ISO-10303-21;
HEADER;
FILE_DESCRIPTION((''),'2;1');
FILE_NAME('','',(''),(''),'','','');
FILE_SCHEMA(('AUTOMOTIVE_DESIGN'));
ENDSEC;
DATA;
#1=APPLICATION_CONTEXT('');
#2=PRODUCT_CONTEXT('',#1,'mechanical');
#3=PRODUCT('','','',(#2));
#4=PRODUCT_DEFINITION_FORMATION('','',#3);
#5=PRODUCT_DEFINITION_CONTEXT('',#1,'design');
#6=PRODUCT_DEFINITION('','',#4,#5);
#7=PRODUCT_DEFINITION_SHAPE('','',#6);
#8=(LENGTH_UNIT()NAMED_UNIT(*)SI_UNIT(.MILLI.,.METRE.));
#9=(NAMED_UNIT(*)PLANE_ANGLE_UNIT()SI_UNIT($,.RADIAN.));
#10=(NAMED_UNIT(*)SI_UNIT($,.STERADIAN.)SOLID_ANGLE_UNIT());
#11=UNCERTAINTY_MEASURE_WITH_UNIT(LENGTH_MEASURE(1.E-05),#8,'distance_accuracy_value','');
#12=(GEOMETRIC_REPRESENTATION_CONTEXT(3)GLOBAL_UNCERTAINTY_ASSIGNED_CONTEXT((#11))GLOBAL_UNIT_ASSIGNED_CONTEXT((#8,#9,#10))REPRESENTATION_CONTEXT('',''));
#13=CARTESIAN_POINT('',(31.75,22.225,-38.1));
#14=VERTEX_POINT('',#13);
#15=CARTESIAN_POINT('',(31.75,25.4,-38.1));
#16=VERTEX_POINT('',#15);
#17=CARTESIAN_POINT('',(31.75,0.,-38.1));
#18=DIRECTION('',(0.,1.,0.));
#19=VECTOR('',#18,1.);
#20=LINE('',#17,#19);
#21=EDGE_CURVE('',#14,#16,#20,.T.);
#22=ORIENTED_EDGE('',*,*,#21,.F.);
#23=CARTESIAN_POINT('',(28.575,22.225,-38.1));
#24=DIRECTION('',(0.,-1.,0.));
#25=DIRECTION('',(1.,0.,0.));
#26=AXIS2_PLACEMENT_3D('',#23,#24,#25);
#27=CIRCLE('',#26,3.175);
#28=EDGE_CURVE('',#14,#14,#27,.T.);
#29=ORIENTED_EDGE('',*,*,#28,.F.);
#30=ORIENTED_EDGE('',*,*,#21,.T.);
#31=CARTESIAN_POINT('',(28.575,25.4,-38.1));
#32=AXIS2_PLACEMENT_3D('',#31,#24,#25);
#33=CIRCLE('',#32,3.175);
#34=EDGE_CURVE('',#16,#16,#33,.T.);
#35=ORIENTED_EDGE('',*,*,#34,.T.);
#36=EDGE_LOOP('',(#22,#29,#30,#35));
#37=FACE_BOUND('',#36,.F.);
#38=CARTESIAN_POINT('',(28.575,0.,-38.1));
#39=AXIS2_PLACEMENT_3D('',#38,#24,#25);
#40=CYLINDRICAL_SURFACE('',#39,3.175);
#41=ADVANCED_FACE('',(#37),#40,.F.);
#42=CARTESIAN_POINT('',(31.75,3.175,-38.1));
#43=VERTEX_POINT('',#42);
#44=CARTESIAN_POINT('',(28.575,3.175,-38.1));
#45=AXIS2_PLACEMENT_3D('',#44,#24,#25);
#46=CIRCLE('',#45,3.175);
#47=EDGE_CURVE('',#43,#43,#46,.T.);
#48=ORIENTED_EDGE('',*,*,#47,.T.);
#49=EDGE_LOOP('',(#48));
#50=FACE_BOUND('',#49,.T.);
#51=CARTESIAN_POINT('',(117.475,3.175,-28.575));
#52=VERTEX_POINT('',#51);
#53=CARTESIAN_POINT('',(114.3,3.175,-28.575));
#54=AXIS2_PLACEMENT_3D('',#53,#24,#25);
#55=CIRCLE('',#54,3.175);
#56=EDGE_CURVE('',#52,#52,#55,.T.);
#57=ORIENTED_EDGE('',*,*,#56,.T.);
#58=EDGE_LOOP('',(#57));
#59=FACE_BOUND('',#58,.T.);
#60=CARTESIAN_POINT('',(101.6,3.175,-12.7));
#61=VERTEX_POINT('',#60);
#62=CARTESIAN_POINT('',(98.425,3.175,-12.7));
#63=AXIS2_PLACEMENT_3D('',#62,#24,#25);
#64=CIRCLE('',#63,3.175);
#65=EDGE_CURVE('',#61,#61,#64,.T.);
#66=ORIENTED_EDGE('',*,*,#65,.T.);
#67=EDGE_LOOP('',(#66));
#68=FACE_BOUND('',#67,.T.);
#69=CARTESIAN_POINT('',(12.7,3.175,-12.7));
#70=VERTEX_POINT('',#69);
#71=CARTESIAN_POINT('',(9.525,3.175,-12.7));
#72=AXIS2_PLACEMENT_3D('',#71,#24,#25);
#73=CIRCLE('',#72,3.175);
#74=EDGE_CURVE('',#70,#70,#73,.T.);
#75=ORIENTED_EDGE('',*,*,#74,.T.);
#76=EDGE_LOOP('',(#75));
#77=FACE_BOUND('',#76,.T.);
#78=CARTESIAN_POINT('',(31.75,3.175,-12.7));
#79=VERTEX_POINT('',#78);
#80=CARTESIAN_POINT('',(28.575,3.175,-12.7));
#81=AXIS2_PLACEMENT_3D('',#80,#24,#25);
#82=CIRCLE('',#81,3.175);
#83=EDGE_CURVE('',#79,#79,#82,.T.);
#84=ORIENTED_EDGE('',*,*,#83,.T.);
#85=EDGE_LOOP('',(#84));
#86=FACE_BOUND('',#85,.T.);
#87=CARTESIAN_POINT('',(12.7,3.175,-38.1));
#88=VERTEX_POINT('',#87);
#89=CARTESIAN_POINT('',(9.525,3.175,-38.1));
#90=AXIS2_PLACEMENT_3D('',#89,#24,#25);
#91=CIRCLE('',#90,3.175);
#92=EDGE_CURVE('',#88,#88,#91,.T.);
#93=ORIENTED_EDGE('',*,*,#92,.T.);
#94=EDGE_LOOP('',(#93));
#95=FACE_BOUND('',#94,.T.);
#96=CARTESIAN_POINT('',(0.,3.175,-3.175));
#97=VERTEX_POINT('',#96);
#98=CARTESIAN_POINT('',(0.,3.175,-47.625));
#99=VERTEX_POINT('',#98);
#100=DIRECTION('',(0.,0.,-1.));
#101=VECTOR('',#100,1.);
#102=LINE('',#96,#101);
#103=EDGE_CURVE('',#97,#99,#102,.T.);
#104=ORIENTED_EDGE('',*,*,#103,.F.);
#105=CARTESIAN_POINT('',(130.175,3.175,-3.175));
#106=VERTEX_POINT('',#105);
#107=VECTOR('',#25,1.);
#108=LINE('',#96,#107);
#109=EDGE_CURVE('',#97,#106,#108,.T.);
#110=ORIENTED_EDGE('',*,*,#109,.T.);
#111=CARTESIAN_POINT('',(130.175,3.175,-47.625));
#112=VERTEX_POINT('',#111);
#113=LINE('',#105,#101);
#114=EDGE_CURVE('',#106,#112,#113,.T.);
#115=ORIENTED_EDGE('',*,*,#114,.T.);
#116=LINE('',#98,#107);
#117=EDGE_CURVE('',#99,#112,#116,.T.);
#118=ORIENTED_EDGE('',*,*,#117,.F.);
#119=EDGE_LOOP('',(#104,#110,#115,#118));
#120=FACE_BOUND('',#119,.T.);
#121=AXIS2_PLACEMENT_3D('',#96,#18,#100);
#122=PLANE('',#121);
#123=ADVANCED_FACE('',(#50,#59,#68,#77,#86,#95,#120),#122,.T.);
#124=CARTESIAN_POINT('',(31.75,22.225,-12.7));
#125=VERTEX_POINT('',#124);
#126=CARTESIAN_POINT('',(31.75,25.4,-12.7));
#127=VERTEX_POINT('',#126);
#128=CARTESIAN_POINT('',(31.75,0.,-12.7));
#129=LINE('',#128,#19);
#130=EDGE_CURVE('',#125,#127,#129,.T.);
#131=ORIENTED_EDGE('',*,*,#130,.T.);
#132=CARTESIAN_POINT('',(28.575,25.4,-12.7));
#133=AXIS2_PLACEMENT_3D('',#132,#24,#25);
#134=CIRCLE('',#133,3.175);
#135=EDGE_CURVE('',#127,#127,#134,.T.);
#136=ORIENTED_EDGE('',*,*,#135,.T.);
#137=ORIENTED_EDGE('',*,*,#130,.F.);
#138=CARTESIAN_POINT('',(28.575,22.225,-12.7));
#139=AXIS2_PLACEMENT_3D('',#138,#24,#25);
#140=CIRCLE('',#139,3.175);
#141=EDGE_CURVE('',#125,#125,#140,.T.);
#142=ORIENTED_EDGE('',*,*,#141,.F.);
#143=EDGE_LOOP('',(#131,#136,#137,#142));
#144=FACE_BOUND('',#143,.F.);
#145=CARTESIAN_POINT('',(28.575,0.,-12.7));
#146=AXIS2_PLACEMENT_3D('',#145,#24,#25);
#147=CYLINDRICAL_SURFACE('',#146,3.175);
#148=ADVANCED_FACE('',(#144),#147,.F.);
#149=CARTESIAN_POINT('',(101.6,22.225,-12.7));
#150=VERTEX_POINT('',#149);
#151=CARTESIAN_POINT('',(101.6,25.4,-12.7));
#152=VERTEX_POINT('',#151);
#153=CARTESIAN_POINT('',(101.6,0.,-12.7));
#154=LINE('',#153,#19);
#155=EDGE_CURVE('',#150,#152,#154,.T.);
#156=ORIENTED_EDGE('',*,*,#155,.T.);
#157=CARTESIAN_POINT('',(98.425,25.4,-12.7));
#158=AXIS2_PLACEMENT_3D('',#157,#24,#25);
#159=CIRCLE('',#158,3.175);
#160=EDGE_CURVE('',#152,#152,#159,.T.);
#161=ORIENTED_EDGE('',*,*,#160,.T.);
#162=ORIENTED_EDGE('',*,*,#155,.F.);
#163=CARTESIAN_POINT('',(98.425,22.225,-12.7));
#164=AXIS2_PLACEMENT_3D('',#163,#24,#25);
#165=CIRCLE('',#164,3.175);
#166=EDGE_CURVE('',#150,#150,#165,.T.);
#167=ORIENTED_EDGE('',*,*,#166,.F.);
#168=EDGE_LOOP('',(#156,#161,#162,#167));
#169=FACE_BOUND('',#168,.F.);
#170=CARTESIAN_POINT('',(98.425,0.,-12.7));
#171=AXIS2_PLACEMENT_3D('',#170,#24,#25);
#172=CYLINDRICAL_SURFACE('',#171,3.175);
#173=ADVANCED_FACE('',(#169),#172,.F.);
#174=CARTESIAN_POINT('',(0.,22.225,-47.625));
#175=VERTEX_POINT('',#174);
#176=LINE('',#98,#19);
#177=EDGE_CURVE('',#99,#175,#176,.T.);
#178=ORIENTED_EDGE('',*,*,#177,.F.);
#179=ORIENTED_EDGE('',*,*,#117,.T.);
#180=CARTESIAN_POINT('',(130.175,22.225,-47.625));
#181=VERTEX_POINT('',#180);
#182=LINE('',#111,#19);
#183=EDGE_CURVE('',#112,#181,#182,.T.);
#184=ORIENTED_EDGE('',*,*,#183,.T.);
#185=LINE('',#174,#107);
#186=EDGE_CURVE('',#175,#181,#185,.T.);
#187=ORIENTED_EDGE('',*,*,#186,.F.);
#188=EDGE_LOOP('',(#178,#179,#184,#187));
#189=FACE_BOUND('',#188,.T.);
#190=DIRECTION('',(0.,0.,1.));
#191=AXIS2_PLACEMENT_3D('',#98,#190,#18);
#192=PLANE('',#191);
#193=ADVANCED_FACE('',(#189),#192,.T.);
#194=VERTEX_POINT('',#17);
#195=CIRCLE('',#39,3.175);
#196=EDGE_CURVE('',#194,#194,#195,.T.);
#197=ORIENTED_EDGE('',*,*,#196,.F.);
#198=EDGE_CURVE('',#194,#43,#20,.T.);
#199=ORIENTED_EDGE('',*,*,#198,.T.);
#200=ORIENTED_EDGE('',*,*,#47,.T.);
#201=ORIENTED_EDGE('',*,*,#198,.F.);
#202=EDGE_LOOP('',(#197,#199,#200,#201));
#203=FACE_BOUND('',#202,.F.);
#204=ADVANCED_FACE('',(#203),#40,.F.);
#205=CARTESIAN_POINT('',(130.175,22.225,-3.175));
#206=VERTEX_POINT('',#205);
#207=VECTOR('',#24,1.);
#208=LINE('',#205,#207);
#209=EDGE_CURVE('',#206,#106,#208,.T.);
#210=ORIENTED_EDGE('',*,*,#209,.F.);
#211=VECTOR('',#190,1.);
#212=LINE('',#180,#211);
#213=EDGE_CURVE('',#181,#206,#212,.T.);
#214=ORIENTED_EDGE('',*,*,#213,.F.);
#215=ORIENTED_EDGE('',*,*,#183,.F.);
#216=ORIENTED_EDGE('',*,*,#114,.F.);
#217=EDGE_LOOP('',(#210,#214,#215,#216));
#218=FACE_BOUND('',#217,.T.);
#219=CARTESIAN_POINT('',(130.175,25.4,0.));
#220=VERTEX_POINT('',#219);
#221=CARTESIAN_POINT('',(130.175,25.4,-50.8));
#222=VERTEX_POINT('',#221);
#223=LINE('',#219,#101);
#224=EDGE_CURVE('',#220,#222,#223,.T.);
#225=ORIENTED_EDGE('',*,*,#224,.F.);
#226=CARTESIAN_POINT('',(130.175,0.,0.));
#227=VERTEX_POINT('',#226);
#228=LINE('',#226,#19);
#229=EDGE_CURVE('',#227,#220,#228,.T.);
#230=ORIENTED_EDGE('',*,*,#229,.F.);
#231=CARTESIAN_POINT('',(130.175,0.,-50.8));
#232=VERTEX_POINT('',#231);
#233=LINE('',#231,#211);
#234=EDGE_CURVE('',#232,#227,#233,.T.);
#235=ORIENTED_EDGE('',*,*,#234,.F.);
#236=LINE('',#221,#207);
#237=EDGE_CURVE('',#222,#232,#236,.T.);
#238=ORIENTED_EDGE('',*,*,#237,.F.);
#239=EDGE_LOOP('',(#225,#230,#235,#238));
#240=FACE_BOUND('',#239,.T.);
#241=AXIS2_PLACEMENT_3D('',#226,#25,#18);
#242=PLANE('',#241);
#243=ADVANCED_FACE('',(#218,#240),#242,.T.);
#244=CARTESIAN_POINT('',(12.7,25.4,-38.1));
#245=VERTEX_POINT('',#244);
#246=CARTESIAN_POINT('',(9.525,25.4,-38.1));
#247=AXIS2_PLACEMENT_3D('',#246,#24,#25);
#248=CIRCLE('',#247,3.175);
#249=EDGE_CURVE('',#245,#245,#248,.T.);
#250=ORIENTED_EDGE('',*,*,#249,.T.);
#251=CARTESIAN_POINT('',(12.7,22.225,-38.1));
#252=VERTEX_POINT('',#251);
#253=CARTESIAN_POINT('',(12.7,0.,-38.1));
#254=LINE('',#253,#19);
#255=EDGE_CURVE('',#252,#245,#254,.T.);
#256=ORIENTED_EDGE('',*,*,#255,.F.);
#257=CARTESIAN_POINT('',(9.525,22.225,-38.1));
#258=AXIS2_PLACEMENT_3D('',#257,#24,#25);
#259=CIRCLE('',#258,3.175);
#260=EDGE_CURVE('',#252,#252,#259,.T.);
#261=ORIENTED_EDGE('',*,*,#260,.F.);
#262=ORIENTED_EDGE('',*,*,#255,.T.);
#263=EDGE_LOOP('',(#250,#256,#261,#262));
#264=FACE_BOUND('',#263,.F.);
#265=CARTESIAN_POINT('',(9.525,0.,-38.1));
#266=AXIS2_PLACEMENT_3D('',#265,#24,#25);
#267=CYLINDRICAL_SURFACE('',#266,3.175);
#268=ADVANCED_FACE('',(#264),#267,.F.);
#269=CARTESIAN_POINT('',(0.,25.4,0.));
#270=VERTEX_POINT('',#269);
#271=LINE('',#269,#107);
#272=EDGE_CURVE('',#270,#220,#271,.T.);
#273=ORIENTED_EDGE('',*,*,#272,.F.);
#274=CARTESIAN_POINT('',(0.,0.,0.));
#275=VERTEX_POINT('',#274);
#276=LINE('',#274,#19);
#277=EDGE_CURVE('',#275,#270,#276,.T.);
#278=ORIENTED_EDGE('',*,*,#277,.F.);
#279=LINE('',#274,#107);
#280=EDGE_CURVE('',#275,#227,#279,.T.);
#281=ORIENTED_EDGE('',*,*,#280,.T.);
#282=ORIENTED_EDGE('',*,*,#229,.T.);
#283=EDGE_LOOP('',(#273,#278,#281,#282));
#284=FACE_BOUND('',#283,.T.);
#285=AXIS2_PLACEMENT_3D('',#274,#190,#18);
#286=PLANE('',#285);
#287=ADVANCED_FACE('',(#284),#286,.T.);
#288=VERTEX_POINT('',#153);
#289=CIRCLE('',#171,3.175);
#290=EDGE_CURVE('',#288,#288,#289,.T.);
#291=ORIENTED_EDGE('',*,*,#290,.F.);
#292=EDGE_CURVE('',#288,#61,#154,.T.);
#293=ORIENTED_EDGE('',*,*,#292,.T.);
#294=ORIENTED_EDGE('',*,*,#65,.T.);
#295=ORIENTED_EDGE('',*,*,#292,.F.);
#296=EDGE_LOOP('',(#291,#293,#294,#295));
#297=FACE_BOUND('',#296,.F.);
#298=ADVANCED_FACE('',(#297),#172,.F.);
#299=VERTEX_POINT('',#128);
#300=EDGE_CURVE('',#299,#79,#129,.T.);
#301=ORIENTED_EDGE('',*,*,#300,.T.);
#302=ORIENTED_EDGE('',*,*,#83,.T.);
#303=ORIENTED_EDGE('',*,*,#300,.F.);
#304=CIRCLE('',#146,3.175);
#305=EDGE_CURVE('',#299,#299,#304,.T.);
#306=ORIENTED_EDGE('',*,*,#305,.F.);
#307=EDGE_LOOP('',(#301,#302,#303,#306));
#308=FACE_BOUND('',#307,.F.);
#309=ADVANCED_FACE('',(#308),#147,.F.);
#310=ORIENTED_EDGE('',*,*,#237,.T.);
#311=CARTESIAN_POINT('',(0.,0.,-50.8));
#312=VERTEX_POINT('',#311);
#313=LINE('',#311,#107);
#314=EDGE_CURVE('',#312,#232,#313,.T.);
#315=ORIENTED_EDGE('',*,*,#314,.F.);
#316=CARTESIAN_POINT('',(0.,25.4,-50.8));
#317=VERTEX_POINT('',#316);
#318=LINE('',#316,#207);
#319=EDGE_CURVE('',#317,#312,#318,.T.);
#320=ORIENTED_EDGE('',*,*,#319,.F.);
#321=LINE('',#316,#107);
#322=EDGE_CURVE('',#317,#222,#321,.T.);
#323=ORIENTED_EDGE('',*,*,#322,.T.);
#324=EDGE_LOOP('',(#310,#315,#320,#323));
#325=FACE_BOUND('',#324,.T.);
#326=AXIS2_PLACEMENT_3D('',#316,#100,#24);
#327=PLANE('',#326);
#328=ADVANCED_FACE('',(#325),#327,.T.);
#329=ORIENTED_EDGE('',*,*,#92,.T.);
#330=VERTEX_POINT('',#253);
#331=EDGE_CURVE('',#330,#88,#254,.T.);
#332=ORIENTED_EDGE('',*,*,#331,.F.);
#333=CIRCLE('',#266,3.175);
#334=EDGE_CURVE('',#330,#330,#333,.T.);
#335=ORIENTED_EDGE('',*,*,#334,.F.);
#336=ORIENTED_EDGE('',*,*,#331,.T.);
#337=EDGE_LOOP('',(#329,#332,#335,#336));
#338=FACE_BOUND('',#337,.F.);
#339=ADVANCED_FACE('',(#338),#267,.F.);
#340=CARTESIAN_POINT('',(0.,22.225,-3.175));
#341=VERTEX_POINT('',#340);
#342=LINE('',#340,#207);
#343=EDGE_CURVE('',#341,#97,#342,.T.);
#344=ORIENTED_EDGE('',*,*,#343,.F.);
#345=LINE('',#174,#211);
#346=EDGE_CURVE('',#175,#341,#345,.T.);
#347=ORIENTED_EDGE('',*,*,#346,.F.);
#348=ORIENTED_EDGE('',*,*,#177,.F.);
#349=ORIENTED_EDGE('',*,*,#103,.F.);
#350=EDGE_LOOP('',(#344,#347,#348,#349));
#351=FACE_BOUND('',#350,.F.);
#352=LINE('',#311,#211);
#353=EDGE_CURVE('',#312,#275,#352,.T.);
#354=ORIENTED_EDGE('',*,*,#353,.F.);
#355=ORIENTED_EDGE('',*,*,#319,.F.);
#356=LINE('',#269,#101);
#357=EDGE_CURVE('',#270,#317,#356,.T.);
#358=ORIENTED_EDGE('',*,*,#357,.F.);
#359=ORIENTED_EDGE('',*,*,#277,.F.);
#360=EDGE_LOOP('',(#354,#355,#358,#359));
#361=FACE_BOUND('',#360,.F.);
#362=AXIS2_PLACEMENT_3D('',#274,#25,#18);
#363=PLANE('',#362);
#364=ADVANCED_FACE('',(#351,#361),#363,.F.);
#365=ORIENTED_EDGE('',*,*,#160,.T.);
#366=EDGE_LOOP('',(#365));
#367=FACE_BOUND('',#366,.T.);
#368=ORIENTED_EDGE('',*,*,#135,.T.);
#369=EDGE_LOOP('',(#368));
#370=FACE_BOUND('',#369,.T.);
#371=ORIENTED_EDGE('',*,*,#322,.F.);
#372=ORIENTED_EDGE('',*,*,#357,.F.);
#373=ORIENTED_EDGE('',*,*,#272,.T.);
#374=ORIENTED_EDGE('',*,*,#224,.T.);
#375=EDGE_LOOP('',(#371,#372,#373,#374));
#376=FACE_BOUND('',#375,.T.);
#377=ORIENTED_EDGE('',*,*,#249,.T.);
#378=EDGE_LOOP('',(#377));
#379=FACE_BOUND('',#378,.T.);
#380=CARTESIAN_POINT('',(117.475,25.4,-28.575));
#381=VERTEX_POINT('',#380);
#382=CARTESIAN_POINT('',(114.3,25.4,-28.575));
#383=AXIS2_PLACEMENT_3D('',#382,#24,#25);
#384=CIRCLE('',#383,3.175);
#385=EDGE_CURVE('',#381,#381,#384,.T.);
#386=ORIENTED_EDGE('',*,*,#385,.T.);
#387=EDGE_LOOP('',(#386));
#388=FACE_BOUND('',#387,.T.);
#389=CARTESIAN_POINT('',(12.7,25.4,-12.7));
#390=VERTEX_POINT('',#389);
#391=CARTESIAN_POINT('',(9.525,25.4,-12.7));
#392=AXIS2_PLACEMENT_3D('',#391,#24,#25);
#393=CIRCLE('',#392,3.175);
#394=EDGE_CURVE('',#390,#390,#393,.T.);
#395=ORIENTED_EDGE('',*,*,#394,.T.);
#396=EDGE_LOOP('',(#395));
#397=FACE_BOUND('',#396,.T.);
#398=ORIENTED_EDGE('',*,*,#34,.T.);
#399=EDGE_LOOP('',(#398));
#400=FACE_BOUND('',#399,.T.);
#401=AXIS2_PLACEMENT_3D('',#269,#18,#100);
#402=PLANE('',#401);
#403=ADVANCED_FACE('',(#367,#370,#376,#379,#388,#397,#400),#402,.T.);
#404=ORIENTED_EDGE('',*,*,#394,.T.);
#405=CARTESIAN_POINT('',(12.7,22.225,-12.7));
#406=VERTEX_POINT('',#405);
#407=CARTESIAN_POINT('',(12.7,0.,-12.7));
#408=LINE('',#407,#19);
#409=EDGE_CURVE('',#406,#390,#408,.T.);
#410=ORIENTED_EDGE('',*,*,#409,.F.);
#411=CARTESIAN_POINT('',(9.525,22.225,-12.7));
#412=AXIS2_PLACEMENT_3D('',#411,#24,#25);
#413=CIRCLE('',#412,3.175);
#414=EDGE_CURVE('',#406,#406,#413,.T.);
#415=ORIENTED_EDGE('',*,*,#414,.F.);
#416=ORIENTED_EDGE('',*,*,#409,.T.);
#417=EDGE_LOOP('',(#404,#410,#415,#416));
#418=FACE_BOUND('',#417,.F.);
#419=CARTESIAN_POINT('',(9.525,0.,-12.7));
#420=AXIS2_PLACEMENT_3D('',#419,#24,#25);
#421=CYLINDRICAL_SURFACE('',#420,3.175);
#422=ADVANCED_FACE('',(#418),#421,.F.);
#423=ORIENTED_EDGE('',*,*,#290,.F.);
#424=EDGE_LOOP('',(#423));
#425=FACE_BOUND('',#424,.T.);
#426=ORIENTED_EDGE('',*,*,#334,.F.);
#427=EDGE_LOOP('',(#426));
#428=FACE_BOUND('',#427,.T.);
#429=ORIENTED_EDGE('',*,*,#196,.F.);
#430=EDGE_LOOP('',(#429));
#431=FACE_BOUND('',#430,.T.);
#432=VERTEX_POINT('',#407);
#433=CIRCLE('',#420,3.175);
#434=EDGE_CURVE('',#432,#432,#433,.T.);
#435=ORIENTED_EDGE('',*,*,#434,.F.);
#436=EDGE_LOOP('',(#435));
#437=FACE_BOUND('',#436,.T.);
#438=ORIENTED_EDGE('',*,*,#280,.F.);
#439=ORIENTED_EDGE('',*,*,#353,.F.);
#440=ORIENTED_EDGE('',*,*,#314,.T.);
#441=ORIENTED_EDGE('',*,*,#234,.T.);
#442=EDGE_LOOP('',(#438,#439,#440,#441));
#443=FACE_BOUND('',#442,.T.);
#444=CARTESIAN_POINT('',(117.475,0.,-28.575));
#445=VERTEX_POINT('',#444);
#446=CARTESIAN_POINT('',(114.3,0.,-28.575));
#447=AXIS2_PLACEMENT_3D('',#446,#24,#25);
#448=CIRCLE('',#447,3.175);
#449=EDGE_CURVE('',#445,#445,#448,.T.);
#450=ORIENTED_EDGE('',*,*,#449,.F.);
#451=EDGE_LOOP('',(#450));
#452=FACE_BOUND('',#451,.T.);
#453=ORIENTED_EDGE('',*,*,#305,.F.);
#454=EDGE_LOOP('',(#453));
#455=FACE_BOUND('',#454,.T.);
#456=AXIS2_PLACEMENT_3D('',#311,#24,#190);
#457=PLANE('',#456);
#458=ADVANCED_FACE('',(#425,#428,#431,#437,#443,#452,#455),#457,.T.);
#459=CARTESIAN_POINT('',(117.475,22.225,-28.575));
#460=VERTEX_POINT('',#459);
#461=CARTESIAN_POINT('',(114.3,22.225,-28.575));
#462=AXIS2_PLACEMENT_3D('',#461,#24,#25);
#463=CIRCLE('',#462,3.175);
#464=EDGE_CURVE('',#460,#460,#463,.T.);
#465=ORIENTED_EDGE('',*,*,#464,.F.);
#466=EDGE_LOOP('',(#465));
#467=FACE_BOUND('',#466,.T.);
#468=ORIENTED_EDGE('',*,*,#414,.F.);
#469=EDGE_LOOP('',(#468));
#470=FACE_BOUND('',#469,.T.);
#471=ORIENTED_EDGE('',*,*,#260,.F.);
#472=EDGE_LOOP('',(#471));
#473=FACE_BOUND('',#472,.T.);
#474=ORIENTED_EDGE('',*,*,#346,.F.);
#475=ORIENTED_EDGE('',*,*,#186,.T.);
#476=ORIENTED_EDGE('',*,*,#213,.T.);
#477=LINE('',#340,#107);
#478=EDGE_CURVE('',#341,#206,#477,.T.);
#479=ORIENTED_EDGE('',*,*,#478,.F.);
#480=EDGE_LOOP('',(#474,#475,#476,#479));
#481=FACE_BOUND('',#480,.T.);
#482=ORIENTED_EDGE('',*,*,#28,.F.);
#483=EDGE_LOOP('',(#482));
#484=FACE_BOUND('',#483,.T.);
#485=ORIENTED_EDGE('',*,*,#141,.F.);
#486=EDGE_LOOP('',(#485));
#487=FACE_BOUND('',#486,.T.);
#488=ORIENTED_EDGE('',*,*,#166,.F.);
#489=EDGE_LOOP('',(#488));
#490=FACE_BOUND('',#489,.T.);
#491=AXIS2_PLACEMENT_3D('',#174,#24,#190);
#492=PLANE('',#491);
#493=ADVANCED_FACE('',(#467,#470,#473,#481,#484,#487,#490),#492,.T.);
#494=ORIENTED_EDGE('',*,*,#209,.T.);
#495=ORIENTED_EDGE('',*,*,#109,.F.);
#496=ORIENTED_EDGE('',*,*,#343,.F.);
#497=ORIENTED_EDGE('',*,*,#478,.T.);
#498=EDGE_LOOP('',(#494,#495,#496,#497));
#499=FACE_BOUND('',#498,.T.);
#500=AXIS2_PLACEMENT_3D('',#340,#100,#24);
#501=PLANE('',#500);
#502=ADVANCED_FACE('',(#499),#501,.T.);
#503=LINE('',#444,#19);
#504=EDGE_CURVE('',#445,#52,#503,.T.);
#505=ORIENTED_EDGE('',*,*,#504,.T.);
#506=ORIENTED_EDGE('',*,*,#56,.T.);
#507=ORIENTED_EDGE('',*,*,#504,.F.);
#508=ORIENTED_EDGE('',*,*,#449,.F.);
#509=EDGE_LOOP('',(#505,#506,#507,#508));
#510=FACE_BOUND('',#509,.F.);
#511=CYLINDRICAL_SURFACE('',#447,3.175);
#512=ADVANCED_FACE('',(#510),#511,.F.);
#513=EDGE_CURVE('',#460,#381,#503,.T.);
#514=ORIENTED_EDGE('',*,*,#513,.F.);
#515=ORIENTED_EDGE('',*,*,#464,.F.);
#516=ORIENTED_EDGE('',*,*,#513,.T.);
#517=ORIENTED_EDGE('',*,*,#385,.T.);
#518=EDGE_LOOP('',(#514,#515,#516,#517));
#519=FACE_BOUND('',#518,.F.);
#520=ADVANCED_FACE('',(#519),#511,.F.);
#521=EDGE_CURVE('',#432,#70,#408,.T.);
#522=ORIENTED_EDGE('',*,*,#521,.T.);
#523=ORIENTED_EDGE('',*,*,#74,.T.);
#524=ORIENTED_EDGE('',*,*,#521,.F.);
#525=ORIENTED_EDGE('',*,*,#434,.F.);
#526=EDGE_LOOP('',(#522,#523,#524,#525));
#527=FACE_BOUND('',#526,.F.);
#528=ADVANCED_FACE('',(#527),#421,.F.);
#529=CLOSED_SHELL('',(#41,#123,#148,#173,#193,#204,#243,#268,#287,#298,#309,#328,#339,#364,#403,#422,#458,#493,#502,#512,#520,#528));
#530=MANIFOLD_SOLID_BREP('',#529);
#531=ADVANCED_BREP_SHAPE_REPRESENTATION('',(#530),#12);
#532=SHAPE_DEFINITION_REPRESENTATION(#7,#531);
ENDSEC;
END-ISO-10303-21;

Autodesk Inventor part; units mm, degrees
ref_plane "YZ Plane" through (0, 0, 0) normal (1, 0, 0) x (0, 1, 0)
ref_plane "XZ Plane" through (0, 0, 0) normal (0, 1, 0) x (-1, 0, 0)
ref_plane "XY Plane" through (0, 0, 0) normal (0, 0, 1) x (1, 0, 0)
sketch "Sketch1" plane through (0, 0, 0) normal (1, 0, 0) x (0, 1, 0)
  line L0 (0, 0) -> (25.4, 0)
  line L1 (25.4, 0) -> (25.4, -50.8)
  line L2 (25.4, -50.8) -> (0, -50.8)
  line L3 (0, -50.8) -> (0, 0)
  line L4 (22.225, -47.625) -> (22.225, -3.175)
  line L5 (22.225, -3.175) -> (3.175, -3.175)
  line L6 (3.175, -3.175) -> (3.175, -47.625)
  line L7 (3.175, -47.625) -> (22.225, -47.625)
  dimension "d0" = 25.4
  dimension "d1" = 50.8
  dimension "d2" = 3.175
extrude "Extrusion1" add sketch "Sketch1" along normal blind 130.175
sketch "Sketch2" plane through (0, 0, -50.8) normal (0, -1, 0) x (1, 0, 0)
  circle A0 centre (114.3, 22.225) radius 3.175
  circle A1 centre (98.425, 38.1) radius 3.175
  line L0 (130.175, 50.8) -> (130.175, 0) projected
  line L1 (0, 50.8) -> (130.175, 50.8) projected
  circle A2 centre (9.525, 12.7) radius 3.175
  circle A3 centre (9.525, 38.1) radius 3.175
  circle A4 centre (28.575, 12.7) radius 3.175
  circle A5 centre (28.575, 38.1) radius 3.175
  line L2 (0, 0) -> (0, 50.8) projected
  line L3 (0, 0) -> (130.175, 0) projected
  dimension "d5" = 6.35
  dimension "d6" = 6.35
  dimension "d7" = 31.75
  dimension "d8" = 15.875
  dimension "d9" = 28.575
  dimension "d10" = 12.7
  dimension "d13" = 6.35
  dimension "d14" = 6.35
  dimension "d15" = 6.35
  dimension "d16" = 6.35
  dimension "d17" = 12.7
  dimension "d18" = 12.7
  dimension "d19" = 9.525
  dimension "d20" = 9.525
  dimension "d21" = 12.7
  dimension "d22" = 12.7
  dimension "d23" = 25.4
  dimension "d24" = 28.575
extrude "Extrusion2" cut sketch "Sketch2" against normal blind 25.4 contours A0 | A1 | A2 | A3 | A4 | A5
properties part number "15102898-16-P-0801" material "Aluminum 6061"
